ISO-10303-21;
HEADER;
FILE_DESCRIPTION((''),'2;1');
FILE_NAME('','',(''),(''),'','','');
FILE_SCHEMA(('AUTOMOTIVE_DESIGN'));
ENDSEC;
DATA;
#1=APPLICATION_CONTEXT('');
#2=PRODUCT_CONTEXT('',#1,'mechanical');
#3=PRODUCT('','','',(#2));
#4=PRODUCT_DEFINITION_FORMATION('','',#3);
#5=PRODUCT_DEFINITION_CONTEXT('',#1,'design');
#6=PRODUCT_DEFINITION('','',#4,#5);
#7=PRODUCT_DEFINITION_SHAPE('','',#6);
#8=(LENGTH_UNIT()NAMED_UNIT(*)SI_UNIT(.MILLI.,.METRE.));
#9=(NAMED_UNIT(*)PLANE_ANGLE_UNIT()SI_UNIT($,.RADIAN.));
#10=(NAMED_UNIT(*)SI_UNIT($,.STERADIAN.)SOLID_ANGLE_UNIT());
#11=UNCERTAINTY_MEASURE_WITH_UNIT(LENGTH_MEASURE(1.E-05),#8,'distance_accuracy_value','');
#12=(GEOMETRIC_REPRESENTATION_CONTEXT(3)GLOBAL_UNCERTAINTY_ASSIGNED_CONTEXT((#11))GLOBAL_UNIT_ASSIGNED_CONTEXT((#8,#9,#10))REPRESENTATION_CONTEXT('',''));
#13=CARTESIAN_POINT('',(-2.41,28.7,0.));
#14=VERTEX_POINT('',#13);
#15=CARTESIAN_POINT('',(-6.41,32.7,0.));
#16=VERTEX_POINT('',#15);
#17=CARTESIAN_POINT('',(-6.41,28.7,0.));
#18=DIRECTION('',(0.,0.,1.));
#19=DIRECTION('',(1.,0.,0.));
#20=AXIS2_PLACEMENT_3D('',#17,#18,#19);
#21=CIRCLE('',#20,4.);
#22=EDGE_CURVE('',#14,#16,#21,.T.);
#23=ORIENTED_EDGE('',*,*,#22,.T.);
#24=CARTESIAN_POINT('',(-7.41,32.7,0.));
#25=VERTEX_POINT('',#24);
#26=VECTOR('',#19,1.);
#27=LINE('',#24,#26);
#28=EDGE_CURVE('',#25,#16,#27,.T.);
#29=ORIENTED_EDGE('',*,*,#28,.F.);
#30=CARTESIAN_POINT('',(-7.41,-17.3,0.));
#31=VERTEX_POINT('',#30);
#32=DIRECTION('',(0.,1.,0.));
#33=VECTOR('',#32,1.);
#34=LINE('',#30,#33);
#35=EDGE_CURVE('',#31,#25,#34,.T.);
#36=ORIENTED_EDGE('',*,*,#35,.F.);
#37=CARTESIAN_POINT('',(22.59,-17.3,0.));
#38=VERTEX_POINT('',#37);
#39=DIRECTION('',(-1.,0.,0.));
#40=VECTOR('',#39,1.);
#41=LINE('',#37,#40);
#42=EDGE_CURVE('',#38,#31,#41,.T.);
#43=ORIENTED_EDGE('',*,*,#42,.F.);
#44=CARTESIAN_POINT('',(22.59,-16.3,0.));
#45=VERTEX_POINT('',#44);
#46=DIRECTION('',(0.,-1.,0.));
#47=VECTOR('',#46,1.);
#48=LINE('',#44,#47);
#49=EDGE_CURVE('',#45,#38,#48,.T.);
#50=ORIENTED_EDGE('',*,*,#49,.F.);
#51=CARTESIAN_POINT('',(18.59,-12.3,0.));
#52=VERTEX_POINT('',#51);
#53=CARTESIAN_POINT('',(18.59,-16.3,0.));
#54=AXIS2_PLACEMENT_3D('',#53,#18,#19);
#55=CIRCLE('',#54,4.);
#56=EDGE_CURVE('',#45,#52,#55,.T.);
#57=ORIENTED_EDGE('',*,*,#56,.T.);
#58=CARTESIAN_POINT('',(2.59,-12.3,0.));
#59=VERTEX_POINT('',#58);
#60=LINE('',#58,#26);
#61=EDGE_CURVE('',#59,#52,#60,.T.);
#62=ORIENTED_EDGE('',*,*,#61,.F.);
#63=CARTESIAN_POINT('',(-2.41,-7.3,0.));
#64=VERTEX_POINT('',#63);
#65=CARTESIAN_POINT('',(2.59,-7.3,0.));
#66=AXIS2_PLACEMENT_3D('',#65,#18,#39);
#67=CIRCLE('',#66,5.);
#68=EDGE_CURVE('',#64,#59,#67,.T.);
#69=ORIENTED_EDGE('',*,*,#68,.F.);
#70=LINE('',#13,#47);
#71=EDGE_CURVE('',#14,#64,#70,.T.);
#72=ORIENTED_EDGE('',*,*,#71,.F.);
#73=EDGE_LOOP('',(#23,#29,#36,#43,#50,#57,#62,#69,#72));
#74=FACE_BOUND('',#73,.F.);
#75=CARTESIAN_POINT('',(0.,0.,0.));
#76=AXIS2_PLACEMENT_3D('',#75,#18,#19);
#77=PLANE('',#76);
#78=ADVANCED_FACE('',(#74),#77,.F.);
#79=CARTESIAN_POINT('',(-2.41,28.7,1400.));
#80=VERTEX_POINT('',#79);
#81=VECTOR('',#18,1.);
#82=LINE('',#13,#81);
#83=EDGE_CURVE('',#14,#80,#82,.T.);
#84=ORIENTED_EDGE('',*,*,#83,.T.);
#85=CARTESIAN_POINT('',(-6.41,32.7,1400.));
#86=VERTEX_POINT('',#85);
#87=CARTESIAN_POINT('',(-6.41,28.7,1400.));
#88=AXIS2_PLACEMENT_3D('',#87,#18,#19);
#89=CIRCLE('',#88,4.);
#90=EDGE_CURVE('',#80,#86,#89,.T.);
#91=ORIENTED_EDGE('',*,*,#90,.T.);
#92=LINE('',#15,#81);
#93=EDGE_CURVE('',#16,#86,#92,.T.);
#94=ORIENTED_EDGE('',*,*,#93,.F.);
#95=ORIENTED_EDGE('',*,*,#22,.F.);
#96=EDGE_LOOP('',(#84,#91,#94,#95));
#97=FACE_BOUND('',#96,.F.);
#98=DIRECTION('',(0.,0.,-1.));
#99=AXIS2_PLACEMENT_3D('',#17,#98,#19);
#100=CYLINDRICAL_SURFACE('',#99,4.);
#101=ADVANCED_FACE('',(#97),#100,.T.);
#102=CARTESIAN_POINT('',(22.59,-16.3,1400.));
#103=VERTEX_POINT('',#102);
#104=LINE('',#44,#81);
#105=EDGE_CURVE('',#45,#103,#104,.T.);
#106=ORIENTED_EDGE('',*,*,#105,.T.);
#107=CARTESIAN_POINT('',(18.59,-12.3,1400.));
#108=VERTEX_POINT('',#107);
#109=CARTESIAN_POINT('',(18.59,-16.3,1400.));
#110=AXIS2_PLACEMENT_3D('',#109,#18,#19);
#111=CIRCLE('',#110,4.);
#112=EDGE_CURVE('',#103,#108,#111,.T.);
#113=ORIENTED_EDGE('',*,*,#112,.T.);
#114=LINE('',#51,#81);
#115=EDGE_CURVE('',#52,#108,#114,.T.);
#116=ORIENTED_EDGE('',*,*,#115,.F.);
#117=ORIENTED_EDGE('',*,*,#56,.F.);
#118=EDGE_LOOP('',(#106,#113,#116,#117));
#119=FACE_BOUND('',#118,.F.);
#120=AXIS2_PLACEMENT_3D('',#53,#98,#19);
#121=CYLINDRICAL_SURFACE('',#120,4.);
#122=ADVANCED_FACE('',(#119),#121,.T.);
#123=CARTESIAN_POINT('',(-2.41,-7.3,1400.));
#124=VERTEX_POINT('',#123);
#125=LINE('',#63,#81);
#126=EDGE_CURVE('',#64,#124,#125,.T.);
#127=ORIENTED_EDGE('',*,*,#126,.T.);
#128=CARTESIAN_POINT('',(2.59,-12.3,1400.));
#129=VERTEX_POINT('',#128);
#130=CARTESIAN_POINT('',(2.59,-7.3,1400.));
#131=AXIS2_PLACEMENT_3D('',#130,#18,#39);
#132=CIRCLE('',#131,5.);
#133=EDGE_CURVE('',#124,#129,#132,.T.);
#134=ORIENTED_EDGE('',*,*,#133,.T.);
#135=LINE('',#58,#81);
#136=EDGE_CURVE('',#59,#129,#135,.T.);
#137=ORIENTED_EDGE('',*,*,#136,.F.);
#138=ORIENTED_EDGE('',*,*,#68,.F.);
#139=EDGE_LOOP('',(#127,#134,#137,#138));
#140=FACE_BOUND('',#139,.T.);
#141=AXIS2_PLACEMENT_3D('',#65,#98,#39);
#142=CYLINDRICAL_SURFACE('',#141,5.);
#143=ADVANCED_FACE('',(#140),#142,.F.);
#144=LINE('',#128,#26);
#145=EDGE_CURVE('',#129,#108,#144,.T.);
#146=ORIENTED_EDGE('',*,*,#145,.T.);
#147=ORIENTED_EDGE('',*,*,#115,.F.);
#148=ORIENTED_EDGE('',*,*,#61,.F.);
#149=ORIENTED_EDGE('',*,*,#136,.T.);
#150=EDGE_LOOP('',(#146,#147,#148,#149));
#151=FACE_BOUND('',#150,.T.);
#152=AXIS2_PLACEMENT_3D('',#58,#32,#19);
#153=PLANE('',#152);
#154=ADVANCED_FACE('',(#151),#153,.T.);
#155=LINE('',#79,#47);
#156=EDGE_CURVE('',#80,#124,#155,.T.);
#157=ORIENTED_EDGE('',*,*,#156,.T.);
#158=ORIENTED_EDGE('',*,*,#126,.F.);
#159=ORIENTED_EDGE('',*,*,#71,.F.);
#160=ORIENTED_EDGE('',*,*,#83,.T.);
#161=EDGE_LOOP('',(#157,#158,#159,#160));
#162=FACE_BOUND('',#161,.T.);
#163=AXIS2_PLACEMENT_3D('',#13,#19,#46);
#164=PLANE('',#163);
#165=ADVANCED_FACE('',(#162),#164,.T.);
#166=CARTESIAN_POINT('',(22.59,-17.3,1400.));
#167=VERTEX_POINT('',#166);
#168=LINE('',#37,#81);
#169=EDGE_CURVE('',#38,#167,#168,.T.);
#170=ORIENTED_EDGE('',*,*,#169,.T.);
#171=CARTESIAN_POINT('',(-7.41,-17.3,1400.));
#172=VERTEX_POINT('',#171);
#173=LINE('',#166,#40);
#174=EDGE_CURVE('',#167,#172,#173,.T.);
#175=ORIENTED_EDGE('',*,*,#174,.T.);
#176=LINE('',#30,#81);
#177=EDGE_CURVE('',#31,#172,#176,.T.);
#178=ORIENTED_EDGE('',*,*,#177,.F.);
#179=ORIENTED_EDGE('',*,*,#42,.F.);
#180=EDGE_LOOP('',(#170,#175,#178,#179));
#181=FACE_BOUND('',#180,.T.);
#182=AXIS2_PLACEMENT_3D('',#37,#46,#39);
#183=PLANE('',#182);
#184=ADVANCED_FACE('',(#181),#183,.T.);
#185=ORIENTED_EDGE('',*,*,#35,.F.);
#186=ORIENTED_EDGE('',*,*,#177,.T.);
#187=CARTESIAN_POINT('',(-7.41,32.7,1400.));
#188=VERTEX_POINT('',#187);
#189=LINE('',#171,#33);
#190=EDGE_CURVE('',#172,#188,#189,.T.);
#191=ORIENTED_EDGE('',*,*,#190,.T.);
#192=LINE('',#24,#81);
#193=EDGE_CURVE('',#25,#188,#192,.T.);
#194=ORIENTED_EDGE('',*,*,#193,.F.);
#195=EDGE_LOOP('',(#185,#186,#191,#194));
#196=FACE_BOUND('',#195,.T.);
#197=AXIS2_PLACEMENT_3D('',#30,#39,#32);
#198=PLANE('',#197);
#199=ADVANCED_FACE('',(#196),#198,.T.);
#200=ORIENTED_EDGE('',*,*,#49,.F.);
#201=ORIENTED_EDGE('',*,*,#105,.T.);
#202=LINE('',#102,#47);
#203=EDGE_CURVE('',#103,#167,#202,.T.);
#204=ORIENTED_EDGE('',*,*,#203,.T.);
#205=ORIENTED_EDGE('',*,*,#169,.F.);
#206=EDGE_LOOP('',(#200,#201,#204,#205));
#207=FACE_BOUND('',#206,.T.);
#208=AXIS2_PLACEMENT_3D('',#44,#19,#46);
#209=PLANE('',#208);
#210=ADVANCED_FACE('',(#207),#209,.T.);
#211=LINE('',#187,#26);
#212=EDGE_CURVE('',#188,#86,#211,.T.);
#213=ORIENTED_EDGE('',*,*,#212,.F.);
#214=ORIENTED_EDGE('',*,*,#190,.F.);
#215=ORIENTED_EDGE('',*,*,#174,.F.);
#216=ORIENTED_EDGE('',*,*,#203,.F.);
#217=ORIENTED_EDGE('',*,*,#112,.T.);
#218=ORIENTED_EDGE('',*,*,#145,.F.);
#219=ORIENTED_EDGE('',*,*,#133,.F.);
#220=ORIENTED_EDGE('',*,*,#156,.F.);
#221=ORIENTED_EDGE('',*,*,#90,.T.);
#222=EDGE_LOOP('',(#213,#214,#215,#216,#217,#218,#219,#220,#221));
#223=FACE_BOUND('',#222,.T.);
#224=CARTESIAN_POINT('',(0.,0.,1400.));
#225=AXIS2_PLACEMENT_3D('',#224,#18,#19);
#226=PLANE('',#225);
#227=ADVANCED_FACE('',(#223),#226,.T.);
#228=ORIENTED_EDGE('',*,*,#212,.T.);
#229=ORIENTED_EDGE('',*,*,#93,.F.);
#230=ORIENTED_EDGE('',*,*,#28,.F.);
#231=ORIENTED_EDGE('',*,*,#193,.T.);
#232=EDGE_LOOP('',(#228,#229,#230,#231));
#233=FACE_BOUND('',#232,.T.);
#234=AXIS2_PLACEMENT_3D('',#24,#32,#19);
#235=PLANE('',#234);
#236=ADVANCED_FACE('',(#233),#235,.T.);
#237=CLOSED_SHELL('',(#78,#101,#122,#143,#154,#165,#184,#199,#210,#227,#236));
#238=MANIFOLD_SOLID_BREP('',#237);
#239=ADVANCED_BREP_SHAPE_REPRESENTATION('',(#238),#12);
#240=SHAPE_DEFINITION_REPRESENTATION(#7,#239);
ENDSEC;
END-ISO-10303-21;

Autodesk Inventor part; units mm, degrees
ref_plane "YZ Plane" through (0, 0, 0) normal (1, 0, 0) x (0, 1, 0)
ref_plane "Start Plane" through (0, 0, 0) normal (0, 0, 1) x (1, 0, 0)
ref_plane "End Plane" through (0, 0, 1400) normal (0, 0, 1) x (1, 0, 0)
sketch "Sketch" plane through (0, 0, 0) normal (0, 0, 1) x (1, 0, 0)
  line L0 (-2.41, 28.7) -> (-2.41, -7.3)
  line L1 (-7.41, 32.7) -> (-6.41, 32.7)
  line L2 (-7.41, -17.3) -> (-7.41, 32.7)
  line L3 (22.59, -17.3) -> (-7.41, -17.3)
  line L4 (22.59, -16.3) -> (22.59, -17.3)
  line L5 (2.59, -12.3) -> (18.59, -12.3)
  arc A0 (-2.41, -7.3) -> (2.59, -12.3) centre (2.59, -7.3) ccw
  arc A1 (-2.41, 28.7) -> (-6.41, 32.7) centre (-6.41, 28.7) ccw
  arc A2 (22.59, -16.3) -> (18.59, -12.3) centre (18.59, -16.3) ccw
  line L6 (0, 43.6941) -> (0, -27.4657) construction
  line L7 (-13.5757, 0) -> (29.5841, 0) construction
  point P0 (-2.41, 32.7)
  point P1 (-2.41, -12.3)
  point P2 (22.59, -12.3)
  dimension "d4" = 30
  dimension "d6" = 50
  dimension "d8" = 5
  dimension "d10" = 5
  dimension "d17" = 5
  dimension "d18" = 4
  dimension "d19" = 17.3
  dimension "d20" = 7.41
extrude "Body" add sketch "Sketch" along normal up to surface (1400 mm away) from surface at 0
sketch "Sketch3" plane through (0, 0, 0) normal (0, 0, 1) x (1, 0, 0)
  line L0 (0, 0) -> (10, 0)
ref_plane "Work Plane10" through (0, 0, 0) normal (0, -1, 0) x (1, 0, 0)
sketch "Sketch4" plane through (0, 0, 0) normal (0, -1, 0) x (1, 0, 0)
  line L0 (-2, 0) -> (12, 0)
  line L1 (-2, 1400) -> (12, 1400)
  dimension "d24" = 1400
equation "\"d4\" = b"
equation "\"d6\" = ParH"
equation "\"d8\" = ParT"
equation "\"d10\" = ParT"
equation "\"d17\" = R"
equation "\"d18\" = R1"
equation "\"d19\" = ex"
equation "\"d20\" = ey"
equation "\"d11\" = G_L"
equation "\"b\" = 30"
equation "\"ParT\" = 5"
equation "\"R1\" = 4"
equation "\"G_L\" = d24"
equation "\"ParH\" = 50"
equation "\"R\" = 5"
equation "\"ey\" = 7.41"
equation "\"ex\" = 17.3"
equation "\"G_OFFSET_START\" = 0"
equation "\"G_OFFSET_END\" = 0"
properties part number "ISO 657-2 - 50x 30x 5-1400" material "Steel, Mild"
